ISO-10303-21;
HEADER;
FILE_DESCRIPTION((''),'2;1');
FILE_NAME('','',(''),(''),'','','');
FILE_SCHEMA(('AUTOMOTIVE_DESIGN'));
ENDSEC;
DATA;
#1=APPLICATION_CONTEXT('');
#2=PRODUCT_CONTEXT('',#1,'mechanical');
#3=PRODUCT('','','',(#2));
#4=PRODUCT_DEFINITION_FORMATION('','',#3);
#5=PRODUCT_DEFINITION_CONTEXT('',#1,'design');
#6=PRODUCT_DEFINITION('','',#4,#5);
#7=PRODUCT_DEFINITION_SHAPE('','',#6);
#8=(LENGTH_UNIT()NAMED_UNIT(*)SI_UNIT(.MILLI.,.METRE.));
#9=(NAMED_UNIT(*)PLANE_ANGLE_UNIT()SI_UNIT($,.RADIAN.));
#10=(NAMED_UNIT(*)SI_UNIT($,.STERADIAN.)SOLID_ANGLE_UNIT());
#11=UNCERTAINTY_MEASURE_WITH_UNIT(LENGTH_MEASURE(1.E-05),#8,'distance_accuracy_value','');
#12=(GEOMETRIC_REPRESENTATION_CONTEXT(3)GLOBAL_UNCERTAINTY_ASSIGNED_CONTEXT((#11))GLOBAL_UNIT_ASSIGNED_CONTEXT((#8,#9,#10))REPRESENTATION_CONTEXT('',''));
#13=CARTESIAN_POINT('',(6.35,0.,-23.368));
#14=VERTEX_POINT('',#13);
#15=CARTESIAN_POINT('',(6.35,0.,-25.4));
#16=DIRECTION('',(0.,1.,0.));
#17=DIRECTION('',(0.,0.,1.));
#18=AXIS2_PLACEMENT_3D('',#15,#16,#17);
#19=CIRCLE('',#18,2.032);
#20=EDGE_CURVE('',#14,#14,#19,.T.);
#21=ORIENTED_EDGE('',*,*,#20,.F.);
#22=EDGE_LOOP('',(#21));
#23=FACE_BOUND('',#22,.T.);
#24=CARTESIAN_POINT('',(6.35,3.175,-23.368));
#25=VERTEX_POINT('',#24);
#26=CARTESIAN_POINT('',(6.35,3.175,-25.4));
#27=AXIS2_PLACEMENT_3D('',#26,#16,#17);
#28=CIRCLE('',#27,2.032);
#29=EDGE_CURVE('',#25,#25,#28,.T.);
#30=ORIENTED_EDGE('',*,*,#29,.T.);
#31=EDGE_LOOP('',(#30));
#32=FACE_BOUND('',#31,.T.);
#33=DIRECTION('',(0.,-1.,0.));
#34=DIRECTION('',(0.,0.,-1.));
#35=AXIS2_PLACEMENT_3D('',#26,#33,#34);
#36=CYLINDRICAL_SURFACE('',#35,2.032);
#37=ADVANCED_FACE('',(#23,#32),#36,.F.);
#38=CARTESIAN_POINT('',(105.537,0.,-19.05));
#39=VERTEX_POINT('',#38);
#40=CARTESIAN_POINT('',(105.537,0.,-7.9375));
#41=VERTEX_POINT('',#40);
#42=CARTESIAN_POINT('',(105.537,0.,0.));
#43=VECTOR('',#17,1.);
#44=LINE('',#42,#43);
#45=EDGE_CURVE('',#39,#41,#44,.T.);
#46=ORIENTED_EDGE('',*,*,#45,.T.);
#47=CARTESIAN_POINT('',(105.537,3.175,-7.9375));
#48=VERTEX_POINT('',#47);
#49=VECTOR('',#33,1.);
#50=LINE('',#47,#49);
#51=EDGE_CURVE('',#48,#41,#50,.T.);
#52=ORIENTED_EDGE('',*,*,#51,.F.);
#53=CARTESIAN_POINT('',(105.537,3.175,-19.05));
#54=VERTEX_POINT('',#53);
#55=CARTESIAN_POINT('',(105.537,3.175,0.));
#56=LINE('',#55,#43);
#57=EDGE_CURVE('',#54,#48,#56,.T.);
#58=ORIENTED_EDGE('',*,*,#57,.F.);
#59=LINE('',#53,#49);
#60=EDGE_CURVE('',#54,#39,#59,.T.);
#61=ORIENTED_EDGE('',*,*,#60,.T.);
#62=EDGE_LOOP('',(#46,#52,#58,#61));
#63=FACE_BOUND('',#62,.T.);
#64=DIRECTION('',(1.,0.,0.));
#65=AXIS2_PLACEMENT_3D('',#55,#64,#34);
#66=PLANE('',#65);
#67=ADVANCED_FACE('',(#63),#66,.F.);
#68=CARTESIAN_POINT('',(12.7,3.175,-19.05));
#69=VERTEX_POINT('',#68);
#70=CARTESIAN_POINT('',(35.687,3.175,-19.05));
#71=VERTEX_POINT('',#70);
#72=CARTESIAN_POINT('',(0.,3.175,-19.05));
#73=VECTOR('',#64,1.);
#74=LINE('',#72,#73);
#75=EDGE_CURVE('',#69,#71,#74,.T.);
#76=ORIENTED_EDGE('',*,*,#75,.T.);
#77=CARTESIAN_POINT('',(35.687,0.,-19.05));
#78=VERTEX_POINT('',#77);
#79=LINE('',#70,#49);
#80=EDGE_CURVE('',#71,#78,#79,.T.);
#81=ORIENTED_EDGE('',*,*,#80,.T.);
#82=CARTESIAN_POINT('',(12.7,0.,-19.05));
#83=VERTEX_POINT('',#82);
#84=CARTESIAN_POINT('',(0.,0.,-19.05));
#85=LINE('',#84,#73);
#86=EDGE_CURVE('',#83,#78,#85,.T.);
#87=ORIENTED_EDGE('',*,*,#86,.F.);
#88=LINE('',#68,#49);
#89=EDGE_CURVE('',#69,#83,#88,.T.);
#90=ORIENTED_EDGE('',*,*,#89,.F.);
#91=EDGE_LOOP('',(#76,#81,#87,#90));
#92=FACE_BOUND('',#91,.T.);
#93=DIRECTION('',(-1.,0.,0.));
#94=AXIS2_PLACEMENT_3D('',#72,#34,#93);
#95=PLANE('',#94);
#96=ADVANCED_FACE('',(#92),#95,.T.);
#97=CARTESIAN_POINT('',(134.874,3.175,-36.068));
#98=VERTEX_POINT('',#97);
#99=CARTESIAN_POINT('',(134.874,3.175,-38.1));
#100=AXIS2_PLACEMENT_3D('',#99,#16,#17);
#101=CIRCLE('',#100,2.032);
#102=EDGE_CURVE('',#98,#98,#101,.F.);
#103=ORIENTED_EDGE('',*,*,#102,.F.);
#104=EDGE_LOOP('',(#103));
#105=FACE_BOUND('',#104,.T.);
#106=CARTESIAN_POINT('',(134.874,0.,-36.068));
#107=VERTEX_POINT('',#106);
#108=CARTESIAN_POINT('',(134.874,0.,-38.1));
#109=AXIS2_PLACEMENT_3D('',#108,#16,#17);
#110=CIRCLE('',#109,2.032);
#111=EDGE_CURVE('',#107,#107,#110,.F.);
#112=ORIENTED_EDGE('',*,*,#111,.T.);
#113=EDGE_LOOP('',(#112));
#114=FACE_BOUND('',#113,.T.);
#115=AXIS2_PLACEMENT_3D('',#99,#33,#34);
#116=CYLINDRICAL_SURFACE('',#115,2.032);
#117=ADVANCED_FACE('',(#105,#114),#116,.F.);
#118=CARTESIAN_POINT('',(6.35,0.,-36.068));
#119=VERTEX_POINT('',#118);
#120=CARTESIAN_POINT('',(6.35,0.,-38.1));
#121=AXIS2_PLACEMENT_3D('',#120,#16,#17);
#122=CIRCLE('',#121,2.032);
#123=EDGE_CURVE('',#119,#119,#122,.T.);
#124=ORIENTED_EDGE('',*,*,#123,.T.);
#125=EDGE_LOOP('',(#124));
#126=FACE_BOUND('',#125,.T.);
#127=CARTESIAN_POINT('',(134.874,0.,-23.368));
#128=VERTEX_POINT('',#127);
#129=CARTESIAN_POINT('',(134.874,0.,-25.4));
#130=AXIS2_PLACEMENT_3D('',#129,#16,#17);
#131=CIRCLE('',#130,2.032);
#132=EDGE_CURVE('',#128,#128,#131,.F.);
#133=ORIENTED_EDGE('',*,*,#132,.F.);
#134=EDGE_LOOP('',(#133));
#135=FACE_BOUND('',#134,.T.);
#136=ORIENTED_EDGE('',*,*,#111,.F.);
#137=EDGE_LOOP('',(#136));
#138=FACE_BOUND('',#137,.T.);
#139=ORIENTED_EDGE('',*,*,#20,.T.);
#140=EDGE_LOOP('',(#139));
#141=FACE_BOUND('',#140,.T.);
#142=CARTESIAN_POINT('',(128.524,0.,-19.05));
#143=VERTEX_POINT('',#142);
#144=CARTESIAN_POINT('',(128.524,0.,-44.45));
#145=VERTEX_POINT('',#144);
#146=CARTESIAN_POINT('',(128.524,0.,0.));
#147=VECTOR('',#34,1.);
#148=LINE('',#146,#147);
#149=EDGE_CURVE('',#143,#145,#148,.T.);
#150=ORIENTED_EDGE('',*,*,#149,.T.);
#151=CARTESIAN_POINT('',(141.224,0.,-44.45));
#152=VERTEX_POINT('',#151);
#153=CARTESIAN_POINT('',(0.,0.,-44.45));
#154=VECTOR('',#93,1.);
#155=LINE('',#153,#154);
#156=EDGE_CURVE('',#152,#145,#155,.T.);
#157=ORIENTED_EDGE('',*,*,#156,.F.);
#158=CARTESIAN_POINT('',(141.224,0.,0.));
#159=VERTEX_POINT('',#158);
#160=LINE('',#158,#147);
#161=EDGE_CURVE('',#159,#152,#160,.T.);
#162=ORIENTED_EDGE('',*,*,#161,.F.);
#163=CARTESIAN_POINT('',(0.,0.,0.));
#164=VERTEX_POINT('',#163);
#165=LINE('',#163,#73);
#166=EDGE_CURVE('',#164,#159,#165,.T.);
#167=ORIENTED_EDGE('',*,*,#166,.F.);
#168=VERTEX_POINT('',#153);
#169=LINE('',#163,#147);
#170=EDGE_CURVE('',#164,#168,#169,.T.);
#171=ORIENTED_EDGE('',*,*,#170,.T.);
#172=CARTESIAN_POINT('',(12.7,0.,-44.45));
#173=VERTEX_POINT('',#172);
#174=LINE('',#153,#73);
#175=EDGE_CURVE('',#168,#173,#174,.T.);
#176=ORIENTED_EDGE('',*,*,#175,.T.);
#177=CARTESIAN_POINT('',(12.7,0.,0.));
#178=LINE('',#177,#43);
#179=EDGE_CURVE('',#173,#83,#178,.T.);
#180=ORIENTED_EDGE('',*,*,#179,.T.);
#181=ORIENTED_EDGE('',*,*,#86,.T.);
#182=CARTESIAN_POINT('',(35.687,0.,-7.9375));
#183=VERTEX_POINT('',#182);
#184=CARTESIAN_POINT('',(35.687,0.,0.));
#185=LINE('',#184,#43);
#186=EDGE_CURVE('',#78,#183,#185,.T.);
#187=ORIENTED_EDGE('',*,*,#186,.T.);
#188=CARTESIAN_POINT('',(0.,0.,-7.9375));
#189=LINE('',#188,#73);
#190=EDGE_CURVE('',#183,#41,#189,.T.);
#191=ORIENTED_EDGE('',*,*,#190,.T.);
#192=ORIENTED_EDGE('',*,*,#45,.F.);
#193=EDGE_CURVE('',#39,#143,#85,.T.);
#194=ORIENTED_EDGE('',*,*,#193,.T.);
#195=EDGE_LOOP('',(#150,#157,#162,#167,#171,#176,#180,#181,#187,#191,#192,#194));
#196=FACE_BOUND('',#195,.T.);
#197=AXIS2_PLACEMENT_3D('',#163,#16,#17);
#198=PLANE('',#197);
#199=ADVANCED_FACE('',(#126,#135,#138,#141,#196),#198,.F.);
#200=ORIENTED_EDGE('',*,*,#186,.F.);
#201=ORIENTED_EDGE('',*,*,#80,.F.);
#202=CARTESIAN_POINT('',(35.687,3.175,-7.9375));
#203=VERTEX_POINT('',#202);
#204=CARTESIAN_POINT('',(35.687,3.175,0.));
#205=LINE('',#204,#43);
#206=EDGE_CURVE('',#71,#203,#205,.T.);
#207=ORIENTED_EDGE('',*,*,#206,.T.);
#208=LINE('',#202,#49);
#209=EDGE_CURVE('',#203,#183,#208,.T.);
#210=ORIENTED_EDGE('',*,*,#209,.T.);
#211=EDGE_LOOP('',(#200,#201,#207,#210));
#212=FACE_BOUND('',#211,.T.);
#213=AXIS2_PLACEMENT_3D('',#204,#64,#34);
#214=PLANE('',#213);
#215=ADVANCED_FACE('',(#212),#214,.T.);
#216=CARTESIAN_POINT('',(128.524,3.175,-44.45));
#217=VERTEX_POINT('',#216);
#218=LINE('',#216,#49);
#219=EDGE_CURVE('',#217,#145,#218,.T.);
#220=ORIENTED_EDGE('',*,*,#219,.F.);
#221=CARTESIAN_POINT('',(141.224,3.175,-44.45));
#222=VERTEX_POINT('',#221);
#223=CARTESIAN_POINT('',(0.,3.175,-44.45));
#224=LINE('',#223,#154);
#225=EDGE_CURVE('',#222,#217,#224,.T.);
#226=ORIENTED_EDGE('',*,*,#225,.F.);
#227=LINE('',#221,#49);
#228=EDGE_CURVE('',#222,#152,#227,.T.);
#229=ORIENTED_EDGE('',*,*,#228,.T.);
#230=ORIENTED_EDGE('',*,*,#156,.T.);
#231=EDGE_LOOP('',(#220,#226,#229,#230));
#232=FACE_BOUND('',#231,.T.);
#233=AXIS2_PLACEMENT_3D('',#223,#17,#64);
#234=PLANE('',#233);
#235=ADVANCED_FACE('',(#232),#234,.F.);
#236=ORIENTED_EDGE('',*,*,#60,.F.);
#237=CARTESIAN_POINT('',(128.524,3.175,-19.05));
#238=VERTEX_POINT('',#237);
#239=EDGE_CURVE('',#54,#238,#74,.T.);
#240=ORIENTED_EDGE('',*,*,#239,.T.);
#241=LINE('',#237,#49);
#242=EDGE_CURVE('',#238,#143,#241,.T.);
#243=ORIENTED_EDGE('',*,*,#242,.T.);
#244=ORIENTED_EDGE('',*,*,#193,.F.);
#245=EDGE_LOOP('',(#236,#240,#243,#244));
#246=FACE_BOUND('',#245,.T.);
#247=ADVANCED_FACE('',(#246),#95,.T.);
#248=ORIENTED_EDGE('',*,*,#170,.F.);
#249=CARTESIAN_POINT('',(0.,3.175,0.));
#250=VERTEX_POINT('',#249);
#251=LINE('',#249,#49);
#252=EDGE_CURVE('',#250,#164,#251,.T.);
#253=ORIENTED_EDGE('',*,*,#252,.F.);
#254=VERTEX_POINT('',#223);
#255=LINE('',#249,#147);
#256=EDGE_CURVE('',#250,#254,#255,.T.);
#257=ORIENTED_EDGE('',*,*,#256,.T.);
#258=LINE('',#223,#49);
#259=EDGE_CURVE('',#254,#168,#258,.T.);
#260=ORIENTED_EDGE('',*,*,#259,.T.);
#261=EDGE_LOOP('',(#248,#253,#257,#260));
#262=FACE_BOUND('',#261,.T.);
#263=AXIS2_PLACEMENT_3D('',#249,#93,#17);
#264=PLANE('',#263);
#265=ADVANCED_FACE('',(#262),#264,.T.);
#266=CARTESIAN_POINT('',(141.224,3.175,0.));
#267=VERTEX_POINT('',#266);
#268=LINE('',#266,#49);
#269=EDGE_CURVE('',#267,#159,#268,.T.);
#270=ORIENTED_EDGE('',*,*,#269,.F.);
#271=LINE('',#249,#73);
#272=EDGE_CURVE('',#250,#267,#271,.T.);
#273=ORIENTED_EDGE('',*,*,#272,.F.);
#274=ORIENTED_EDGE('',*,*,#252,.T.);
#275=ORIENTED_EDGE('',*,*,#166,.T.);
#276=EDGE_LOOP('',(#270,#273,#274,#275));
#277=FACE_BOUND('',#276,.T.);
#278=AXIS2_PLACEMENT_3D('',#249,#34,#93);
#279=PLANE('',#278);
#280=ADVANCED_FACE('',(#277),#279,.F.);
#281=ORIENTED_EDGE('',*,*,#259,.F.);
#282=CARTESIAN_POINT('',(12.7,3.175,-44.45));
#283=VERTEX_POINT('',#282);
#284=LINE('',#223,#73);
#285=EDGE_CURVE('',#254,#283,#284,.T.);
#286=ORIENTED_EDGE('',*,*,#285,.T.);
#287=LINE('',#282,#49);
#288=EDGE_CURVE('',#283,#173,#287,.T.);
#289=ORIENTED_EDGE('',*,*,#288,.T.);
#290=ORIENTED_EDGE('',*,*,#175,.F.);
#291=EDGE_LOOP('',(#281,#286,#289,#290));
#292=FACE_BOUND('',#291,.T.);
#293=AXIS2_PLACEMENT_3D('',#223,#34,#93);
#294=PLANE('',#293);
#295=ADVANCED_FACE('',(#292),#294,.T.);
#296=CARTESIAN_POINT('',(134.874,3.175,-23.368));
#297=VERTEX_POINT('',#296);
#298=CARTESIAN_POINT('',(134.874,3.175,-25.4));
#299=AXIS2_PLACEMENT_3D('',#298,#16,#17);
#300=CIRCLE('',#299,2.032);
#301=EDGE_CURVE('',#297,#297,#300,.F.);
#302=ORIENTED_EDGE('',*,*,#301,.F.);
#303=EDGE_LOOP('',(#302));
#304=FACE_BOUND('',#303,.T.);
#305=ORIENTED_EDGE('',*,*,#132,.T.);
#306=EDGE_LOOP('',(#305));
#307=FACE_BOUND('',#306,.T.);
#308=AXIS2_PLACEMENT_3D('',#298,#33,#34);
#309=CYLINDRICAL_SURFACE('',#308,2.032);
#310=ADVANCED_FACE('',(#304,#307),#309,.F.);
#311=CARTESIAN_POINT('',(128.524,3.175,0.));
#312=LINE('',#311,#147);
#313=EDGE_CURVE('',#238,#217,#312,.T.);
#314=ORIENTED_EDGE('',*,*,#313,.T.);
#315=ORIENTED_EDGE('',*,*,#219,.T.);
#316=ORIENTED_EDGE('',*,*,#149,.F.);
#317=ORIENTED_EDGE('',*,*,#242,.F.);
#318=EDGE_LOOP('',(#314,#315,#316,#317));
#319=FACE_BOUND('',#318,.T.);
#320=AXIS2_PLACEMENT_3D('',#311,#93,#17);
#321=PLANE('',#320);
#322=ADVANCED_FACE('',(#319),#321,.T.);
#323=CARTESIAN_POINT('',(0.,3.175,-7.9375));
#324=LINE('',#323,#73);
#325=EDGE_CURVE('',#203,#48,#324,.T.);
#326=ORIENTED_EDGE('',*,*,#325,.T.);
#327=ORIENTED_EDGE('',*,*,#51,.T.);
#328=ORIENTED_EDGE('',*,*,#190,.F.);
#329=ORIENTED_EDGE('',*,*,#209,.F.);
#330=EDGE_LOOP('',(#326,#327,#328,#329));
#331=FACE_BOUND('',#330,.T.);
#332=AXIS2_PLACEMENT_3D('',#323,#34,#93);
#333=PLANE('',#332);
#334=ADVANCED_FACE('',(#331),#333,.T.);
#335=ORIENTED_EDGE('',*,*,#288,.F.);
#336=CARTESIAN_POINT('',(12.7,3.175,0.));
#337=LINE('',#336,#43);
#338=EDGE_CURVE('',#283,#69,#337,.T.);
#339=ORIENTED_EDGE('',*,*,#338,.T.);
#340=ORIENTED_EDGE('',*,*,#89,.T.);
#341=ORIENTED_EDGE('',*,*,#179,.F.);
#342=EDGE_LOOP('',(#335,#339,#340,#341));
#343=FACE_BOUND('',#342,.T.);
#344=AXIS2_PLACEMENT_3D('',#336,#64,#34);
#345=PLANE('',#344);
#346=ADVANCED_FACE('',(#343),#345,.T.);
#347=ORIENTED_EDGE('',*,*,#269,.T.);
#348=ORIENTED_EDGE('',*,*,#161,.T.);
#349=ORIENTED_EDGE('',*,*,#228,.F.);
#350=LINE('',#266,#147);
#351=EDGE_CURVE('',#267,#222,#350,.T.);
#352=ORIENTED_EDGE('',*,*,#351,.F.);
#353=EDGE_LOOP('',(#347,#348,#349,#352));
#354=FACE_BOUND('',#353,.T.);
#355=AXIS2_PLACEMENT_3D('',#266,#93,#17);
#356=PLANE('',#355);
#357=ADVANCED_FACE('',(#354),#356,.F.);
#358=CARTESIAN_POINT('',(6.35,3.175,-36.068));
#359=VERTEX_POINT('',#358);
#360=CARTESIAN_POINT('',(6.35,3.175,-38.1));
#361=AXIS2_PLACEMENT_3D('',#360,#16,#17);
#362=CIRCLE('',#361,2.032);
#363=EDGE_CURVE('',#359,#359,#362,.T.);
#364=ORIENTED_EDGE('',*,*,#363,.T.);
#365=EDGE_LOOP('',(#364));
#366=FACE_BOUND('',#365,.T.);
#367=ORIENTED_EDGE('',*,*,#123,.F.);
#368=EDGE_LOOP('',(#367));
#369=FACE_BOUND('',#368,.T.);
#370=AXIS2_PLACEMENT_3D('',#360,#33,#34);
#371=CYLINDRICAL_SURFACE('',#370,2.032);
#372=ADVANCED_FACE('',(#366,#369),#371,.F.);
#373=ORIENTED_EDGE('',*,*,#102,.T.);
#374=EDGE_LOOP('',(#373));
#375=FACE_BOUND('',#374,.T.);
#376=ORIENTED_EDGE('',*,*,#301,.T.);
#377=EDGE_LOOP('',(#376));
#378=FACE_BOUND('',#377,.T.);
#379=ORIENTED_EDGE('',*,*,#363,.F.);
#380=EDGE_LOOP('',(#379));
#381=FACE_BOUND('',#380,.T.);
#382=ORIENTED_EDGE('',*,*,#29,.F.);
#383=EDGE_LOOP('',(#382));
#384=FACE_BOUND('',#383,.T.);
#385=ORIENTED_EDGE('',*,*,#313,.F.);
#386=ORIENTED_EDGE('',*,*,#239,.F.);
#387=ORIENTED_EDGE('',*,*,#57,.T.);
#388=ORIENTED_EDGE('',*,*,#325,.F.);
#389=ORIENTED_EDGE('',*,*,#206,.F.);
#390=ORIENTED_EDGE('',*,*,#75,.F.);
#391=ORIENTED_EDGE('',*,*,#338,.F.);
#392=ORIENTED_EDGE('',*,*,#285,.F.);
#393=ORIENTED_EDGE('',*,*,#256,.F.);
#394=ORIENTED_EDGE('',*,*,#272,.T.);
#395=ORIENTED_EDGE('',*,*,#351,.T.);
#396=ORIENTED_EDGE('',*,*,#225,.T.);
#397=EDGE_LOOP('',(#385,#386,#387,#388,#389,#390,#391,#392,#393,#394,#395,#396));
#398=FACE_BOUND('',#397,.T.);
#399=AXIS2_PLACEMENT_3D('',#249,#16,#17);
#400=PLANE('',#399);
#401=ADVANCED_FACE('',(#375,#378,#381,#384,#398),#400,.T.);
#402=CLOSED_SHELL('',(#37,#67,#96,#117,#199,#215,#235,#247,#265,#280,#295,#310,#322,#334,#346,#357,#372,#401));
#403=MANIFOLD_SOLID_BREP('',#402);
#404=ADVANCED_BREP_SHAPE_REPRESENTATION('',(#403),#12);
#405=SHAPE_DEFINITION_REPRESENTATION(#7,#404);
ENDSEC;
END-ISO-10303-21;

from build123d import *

# Parameters (mm, degrees)
SKETCH1_R           = 2.032
BOSS_EXTRUDE1_DEPTH = 3.175


with BuildPart() as part:
    # Sketch1 → Boss-Extrude1 (new body)
    with BuildSketch(Plane(origin=(0, 0, 0), x_dir=(1, 0, 0), z_dir=(0, 1, 0))):
        Polygon((105.537, 19.05), (128.524, 19.05), (128.524, 44.45), (141.224, 44.45), (141.224, 0), (0, 0), (0, 44.45), (12.7, 44.45), (12.7, 19.05), (35.687, 19.05), (35.687, 7.9375), (105.537, 7.9375), align=None)
        with Locations((134.874, 38.1)):
            Circle(SKETCH1_R, mode=Mode.SUBTRACT)
        with Locations((6.35, 25.4)):
            Circle(SKETCH1_R, mode=Mode.SUBTRACT)
        with Locations((6.35, 38.1)):
            Circle(SKETCH1_R, mode=Mode.SUBTRACT)
        with Locations((134.874, 25.4)):
            Circle(SKETCH1_R, mode=Mode.SUBTRACT)
    extrude(amount=BOSS_EXTRUDE1_DEPTH)


solid = part.part
